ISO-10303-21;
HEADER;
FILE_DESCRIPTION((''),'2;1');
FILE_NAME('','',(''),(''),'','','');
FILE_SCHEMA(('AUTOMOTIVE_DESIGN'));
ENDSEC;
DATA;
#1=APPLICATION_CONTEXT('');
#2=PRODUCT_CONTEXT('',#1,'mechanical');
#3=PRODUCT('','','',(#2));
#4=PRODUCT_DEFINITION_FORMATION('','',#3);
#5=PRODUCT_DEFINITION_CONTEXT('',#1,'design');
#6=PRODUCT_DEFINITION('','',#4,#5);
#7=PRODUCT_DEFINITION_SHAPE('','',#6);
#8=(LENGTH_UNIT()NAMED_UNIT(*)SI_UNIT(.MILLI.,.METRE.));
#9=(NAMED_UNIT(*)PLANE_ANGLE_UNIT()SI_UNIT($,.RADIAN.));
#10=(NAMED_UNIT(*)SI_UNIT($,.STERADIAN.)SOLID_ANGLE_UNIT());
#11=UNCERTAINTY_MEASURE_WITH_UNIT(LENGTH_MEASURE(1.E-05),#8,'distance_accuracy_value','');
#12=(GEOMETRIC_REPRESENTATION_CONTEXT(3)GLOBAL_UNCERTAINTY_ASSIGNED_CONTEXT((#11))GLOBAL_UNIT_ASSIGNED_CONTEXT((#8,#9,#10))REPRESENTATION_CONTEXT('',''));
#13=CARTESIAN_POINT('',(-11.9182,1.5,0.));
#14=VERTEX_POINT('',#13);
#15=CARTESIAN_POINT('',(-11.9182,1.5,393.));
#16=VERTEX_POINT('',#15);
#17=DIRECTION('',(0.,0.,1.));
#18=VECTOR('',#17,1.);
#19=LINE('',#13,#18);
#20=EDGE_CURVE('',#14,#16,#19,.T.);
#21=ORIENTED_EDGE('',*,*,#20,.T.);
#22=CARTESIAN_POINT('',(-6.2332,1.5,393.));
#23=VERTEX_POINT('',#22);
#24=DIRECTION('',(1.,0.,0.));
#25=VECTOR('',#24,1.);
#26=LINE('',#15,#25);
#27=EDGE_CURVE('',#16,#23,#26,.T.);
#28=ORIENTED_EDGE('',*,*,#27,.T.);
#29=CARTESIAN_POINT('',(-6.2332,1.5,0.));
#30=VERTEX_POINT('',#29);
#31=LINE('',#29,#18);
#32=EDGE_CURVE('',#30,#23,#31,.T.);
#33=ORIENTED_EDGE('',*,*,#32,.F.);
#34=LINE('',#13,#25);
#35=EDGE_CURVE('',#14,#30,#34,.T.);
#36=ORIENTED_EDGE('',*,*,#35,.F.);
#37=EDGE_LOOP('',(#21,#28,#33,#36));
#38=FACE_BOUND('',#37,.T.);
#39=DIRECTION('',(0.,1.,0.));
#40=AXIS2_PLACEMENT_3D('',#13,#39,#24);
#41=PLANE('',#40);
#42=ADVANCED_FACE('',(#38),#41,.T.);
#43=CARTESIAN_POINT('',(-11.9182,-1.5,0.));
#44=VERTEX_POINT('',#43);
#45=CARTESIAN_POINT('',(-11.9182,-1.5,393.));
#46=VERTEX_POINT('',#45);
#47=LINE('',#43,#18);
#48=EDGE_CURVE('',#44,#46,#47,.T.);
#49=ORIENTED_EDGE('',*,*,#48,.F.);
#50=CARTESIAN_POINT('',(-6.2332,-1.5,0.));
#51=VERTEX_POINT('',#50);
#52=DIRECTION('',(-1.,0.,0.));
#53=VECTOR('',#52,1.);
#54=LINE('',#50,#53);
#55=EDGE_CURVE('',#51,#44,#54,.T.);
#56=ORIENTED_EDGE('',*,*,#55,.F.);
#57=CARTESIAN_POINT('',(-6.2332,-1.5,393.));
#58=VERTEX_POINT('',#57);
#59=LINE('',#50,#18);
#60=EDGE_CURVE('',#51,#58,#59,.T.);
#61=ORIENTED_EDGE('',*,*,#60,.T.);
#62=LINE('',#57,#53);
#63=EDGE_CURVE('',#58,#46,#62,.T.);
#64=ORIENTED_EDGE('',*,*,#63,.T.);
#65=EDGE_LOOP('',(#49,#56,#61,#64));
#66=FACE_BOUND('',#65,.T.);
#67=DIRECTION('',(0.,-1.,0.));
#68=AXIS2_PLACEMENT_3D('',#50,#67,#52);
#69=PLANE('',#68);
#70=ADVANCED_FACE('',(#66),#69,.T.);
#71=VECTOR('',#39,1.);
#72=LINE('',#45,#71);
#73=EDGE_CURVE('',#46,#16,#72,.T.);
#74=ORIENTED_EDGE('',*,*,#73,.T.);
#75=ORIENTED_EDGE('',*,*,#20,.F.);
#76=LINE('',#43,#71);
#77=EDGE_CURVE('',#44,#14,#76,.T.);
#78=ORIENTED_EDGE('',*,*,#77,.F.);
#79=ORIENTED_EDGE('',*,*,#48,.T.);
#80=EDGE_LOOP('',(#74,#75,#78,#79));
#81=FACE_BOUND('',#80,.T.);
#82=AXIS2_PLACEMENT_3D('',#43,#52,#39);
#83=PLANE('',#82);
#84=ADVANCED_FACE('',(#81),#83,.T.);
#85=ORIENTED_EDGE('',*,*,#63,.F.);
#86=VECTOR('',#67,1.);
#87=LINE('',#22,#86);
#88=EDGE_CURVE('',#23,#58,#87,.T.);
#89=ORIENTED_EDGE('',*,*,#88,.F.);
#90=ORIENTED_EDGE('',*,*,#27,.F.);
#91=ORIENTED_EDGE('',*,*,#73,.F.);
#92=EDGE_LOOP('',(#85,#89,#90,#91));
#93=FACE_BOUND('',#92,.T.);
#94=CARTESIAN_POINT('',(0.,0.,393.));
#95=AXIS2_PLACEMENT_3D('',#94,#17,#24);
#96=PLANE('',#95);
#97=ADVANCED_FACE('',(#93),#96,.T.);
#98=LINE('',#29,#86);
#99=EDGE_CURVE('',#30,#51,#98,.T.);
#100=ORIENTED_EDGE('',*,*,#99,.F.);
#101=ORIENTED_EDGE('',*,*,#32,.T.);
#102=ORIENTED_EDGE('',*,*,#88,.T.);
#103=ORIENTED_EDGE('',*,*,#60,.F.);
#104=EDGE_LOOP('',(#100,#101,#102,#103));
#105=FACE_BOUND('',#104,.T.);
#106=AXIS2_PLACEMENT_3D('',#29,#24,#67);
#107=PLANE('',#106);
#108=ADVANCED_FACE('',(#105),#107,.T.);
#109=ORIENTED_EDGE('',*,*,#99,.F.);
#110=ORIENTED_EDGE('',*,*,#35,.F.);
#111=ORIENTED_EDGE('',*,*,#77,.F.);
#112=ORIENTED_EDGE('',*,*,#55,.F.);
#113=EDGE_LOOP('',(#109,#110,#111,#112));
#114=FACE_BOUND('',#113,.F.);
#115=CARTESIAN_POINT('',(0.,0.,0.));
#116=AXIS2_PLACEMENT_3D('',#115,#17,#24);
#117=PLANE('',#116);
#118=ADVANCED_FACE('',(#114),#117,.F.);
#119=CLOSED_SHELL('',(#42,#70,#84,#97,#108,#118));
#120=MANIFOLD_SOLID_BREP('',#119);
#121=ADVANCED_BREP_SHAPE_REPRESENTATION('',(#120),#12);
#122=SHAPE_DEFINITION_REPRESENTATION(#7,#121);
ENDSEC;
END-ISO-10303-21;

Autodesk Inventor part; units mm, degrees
ref_plane "YZ Plane" through (0, 0, 0) normal (1, 0, 0) x (0, 1, 0)
ref_plane "XZ Plane" through (0, 0, 0) normal (0, 1, 0) x (-1, 0, 0)
ref_plane "XY Plane" through (0, 0, 0) normal (0, 0, 1) x (1, 0, 0)
sketch "Sketch1" plane through (0, 0, 0) normal (0, 0, 1) x (1, 0, 0)
  line L0 (-11.9182, 1.5) -> (-6.2332, 1.5)
  line L1 (-6.2332, 1.5) -> (-6.2332, -1.5)
  line L2 (-6.2332, -1.5) -> (-11.9182, -1.5)
  line L3 (-11.9182, -1.5) -> (-11.9182, 1.5)
  line L4 (-11.9182, 1.5) -> (-6.2332, -1.5) construction
  line L5 (-6.2332, 1.5) -> (-11.9182, -1.5) construction
  point P0 (0, 0)
  point P1 (-9.0757, 0)
  dimension "d0" = 3
  dimension "d1" = 5.685
extrude "Extrusion1" add sketch "Sketch1" along normal blind 393
properties part number "2P.03.01.11.IM.FlapBottSpanBeam" material "Wood (Birch)"
